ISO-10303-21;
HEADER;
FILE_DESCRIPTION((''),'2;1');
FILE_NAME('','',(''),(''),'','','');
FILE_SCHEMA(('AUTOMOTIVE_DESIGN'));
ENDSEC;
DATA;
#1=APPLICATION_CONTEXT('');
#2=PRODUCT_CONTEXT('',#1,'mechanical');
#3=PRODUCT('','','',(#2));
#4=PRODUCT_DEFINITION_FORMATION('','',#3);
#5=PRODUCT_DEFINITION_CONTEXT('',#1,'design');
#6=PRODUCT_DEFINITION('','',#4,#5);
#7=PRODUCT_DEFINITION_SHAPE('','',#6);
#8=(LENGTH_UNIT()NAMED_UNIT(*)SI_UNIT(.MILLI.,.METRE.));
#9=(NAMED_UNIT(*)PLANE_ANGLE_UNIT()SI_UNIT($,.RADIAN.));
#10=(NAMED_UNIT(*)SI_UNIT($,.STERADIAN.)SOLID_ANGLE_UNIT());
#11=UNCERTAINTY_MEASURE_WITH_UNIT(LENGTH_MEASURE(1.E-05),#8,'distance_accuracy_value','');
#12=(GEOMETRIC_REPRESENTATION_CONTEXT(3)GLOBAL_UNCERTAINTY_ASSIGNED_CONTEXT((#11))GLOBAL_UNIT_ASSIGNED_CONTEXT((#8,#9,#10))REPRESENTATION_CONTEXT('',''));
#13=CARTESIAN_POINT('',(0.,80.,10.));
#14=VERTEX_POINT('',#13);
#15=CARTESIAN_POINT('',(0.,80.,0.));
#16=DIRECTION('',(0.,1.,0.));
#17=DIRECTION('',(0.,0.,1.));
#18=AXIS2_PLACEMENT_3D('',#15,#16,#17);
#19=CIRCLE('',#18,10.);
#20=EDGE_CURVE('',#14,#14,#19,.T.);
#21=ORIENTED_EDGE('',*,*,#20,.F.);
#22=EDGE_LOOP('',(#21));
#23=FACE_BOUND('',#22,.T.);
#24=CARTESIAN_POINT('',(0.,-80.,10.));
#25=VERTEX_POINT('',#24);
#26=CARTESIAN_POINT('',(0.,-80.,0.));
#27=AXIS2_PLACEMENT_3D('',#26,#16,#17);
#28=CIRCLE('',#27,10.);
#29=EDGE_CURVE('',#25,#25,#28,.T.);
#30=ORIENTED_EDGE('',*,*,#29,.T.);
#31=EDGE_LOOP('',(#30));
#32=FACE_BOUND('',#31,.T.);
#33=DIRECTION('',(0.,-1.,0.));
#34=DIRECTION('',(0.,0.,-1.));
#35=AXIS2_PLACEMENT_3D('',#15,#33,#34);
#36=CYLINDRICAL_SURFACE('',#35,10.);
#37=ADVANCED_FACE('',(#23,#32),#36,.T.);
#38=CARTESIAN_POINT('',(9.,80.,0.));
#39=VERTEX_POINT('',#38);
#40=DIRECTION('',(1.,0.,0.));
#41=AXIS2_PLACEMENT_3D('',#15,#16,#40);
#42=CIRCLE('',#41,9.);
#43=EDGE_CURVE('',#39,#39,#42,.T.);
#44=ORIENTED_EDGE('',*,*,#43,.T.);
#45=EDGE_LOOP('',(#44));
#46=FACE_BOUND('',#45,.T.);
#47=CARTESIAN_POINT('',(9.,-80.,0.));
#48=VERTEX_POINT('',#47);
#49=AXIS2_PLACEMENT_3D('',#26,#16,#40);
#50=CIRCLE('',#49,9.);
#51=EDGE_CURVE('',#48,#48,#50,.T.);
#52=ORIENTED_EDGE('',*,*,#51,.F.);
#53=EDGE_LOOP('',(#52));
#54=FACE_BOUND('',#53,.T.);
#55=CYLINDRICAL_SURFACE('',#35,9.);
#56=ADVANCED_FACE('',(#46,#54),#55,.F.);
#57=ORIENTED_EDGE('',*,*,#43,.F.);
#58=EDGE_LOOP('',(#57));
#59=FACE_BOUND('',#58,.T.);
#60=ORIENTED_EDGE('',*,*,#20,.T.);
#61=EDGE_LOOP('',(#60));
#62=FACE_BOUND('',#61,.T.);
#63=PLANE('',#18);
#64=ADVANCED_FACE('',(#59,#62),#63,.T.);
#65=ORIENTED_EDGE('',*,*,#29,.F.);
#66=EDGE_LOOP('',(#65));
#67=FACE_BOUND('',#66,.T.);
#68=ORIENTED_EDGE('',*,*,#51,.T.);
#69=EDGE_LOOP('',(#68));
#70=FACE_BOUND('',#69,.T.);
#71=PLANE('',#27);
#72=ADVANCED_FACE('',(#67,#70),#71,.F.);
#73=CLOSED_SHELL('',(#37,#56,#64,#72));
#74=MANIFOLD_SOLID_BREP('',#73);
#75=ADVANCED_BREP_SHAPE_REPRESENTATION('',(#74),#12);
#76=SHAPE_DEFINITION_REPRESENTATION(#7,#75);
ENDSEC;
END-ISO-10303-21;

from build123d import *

# Parameters (mm, degrees)
SKETCH_1_R   = 10
SKETCH_1_R_2 = 9
F_1MM_DEPTH  = 80


with BuildPart() as part:
    # 草图1 → 1mm (new, symmetric)
    with BuildSketch(Plane(origin=(0, 0, 0), x_dir=(1, 0, 0), z_dir=(0, 1, 0))):
        Circle(SKETCH_1_R)
        Circle(SKETCH_1_R_2, mode=Mode.SUBTRACT)
    extrude(amount=F_1MM_DEPTH, both=True)


solid = part.part
